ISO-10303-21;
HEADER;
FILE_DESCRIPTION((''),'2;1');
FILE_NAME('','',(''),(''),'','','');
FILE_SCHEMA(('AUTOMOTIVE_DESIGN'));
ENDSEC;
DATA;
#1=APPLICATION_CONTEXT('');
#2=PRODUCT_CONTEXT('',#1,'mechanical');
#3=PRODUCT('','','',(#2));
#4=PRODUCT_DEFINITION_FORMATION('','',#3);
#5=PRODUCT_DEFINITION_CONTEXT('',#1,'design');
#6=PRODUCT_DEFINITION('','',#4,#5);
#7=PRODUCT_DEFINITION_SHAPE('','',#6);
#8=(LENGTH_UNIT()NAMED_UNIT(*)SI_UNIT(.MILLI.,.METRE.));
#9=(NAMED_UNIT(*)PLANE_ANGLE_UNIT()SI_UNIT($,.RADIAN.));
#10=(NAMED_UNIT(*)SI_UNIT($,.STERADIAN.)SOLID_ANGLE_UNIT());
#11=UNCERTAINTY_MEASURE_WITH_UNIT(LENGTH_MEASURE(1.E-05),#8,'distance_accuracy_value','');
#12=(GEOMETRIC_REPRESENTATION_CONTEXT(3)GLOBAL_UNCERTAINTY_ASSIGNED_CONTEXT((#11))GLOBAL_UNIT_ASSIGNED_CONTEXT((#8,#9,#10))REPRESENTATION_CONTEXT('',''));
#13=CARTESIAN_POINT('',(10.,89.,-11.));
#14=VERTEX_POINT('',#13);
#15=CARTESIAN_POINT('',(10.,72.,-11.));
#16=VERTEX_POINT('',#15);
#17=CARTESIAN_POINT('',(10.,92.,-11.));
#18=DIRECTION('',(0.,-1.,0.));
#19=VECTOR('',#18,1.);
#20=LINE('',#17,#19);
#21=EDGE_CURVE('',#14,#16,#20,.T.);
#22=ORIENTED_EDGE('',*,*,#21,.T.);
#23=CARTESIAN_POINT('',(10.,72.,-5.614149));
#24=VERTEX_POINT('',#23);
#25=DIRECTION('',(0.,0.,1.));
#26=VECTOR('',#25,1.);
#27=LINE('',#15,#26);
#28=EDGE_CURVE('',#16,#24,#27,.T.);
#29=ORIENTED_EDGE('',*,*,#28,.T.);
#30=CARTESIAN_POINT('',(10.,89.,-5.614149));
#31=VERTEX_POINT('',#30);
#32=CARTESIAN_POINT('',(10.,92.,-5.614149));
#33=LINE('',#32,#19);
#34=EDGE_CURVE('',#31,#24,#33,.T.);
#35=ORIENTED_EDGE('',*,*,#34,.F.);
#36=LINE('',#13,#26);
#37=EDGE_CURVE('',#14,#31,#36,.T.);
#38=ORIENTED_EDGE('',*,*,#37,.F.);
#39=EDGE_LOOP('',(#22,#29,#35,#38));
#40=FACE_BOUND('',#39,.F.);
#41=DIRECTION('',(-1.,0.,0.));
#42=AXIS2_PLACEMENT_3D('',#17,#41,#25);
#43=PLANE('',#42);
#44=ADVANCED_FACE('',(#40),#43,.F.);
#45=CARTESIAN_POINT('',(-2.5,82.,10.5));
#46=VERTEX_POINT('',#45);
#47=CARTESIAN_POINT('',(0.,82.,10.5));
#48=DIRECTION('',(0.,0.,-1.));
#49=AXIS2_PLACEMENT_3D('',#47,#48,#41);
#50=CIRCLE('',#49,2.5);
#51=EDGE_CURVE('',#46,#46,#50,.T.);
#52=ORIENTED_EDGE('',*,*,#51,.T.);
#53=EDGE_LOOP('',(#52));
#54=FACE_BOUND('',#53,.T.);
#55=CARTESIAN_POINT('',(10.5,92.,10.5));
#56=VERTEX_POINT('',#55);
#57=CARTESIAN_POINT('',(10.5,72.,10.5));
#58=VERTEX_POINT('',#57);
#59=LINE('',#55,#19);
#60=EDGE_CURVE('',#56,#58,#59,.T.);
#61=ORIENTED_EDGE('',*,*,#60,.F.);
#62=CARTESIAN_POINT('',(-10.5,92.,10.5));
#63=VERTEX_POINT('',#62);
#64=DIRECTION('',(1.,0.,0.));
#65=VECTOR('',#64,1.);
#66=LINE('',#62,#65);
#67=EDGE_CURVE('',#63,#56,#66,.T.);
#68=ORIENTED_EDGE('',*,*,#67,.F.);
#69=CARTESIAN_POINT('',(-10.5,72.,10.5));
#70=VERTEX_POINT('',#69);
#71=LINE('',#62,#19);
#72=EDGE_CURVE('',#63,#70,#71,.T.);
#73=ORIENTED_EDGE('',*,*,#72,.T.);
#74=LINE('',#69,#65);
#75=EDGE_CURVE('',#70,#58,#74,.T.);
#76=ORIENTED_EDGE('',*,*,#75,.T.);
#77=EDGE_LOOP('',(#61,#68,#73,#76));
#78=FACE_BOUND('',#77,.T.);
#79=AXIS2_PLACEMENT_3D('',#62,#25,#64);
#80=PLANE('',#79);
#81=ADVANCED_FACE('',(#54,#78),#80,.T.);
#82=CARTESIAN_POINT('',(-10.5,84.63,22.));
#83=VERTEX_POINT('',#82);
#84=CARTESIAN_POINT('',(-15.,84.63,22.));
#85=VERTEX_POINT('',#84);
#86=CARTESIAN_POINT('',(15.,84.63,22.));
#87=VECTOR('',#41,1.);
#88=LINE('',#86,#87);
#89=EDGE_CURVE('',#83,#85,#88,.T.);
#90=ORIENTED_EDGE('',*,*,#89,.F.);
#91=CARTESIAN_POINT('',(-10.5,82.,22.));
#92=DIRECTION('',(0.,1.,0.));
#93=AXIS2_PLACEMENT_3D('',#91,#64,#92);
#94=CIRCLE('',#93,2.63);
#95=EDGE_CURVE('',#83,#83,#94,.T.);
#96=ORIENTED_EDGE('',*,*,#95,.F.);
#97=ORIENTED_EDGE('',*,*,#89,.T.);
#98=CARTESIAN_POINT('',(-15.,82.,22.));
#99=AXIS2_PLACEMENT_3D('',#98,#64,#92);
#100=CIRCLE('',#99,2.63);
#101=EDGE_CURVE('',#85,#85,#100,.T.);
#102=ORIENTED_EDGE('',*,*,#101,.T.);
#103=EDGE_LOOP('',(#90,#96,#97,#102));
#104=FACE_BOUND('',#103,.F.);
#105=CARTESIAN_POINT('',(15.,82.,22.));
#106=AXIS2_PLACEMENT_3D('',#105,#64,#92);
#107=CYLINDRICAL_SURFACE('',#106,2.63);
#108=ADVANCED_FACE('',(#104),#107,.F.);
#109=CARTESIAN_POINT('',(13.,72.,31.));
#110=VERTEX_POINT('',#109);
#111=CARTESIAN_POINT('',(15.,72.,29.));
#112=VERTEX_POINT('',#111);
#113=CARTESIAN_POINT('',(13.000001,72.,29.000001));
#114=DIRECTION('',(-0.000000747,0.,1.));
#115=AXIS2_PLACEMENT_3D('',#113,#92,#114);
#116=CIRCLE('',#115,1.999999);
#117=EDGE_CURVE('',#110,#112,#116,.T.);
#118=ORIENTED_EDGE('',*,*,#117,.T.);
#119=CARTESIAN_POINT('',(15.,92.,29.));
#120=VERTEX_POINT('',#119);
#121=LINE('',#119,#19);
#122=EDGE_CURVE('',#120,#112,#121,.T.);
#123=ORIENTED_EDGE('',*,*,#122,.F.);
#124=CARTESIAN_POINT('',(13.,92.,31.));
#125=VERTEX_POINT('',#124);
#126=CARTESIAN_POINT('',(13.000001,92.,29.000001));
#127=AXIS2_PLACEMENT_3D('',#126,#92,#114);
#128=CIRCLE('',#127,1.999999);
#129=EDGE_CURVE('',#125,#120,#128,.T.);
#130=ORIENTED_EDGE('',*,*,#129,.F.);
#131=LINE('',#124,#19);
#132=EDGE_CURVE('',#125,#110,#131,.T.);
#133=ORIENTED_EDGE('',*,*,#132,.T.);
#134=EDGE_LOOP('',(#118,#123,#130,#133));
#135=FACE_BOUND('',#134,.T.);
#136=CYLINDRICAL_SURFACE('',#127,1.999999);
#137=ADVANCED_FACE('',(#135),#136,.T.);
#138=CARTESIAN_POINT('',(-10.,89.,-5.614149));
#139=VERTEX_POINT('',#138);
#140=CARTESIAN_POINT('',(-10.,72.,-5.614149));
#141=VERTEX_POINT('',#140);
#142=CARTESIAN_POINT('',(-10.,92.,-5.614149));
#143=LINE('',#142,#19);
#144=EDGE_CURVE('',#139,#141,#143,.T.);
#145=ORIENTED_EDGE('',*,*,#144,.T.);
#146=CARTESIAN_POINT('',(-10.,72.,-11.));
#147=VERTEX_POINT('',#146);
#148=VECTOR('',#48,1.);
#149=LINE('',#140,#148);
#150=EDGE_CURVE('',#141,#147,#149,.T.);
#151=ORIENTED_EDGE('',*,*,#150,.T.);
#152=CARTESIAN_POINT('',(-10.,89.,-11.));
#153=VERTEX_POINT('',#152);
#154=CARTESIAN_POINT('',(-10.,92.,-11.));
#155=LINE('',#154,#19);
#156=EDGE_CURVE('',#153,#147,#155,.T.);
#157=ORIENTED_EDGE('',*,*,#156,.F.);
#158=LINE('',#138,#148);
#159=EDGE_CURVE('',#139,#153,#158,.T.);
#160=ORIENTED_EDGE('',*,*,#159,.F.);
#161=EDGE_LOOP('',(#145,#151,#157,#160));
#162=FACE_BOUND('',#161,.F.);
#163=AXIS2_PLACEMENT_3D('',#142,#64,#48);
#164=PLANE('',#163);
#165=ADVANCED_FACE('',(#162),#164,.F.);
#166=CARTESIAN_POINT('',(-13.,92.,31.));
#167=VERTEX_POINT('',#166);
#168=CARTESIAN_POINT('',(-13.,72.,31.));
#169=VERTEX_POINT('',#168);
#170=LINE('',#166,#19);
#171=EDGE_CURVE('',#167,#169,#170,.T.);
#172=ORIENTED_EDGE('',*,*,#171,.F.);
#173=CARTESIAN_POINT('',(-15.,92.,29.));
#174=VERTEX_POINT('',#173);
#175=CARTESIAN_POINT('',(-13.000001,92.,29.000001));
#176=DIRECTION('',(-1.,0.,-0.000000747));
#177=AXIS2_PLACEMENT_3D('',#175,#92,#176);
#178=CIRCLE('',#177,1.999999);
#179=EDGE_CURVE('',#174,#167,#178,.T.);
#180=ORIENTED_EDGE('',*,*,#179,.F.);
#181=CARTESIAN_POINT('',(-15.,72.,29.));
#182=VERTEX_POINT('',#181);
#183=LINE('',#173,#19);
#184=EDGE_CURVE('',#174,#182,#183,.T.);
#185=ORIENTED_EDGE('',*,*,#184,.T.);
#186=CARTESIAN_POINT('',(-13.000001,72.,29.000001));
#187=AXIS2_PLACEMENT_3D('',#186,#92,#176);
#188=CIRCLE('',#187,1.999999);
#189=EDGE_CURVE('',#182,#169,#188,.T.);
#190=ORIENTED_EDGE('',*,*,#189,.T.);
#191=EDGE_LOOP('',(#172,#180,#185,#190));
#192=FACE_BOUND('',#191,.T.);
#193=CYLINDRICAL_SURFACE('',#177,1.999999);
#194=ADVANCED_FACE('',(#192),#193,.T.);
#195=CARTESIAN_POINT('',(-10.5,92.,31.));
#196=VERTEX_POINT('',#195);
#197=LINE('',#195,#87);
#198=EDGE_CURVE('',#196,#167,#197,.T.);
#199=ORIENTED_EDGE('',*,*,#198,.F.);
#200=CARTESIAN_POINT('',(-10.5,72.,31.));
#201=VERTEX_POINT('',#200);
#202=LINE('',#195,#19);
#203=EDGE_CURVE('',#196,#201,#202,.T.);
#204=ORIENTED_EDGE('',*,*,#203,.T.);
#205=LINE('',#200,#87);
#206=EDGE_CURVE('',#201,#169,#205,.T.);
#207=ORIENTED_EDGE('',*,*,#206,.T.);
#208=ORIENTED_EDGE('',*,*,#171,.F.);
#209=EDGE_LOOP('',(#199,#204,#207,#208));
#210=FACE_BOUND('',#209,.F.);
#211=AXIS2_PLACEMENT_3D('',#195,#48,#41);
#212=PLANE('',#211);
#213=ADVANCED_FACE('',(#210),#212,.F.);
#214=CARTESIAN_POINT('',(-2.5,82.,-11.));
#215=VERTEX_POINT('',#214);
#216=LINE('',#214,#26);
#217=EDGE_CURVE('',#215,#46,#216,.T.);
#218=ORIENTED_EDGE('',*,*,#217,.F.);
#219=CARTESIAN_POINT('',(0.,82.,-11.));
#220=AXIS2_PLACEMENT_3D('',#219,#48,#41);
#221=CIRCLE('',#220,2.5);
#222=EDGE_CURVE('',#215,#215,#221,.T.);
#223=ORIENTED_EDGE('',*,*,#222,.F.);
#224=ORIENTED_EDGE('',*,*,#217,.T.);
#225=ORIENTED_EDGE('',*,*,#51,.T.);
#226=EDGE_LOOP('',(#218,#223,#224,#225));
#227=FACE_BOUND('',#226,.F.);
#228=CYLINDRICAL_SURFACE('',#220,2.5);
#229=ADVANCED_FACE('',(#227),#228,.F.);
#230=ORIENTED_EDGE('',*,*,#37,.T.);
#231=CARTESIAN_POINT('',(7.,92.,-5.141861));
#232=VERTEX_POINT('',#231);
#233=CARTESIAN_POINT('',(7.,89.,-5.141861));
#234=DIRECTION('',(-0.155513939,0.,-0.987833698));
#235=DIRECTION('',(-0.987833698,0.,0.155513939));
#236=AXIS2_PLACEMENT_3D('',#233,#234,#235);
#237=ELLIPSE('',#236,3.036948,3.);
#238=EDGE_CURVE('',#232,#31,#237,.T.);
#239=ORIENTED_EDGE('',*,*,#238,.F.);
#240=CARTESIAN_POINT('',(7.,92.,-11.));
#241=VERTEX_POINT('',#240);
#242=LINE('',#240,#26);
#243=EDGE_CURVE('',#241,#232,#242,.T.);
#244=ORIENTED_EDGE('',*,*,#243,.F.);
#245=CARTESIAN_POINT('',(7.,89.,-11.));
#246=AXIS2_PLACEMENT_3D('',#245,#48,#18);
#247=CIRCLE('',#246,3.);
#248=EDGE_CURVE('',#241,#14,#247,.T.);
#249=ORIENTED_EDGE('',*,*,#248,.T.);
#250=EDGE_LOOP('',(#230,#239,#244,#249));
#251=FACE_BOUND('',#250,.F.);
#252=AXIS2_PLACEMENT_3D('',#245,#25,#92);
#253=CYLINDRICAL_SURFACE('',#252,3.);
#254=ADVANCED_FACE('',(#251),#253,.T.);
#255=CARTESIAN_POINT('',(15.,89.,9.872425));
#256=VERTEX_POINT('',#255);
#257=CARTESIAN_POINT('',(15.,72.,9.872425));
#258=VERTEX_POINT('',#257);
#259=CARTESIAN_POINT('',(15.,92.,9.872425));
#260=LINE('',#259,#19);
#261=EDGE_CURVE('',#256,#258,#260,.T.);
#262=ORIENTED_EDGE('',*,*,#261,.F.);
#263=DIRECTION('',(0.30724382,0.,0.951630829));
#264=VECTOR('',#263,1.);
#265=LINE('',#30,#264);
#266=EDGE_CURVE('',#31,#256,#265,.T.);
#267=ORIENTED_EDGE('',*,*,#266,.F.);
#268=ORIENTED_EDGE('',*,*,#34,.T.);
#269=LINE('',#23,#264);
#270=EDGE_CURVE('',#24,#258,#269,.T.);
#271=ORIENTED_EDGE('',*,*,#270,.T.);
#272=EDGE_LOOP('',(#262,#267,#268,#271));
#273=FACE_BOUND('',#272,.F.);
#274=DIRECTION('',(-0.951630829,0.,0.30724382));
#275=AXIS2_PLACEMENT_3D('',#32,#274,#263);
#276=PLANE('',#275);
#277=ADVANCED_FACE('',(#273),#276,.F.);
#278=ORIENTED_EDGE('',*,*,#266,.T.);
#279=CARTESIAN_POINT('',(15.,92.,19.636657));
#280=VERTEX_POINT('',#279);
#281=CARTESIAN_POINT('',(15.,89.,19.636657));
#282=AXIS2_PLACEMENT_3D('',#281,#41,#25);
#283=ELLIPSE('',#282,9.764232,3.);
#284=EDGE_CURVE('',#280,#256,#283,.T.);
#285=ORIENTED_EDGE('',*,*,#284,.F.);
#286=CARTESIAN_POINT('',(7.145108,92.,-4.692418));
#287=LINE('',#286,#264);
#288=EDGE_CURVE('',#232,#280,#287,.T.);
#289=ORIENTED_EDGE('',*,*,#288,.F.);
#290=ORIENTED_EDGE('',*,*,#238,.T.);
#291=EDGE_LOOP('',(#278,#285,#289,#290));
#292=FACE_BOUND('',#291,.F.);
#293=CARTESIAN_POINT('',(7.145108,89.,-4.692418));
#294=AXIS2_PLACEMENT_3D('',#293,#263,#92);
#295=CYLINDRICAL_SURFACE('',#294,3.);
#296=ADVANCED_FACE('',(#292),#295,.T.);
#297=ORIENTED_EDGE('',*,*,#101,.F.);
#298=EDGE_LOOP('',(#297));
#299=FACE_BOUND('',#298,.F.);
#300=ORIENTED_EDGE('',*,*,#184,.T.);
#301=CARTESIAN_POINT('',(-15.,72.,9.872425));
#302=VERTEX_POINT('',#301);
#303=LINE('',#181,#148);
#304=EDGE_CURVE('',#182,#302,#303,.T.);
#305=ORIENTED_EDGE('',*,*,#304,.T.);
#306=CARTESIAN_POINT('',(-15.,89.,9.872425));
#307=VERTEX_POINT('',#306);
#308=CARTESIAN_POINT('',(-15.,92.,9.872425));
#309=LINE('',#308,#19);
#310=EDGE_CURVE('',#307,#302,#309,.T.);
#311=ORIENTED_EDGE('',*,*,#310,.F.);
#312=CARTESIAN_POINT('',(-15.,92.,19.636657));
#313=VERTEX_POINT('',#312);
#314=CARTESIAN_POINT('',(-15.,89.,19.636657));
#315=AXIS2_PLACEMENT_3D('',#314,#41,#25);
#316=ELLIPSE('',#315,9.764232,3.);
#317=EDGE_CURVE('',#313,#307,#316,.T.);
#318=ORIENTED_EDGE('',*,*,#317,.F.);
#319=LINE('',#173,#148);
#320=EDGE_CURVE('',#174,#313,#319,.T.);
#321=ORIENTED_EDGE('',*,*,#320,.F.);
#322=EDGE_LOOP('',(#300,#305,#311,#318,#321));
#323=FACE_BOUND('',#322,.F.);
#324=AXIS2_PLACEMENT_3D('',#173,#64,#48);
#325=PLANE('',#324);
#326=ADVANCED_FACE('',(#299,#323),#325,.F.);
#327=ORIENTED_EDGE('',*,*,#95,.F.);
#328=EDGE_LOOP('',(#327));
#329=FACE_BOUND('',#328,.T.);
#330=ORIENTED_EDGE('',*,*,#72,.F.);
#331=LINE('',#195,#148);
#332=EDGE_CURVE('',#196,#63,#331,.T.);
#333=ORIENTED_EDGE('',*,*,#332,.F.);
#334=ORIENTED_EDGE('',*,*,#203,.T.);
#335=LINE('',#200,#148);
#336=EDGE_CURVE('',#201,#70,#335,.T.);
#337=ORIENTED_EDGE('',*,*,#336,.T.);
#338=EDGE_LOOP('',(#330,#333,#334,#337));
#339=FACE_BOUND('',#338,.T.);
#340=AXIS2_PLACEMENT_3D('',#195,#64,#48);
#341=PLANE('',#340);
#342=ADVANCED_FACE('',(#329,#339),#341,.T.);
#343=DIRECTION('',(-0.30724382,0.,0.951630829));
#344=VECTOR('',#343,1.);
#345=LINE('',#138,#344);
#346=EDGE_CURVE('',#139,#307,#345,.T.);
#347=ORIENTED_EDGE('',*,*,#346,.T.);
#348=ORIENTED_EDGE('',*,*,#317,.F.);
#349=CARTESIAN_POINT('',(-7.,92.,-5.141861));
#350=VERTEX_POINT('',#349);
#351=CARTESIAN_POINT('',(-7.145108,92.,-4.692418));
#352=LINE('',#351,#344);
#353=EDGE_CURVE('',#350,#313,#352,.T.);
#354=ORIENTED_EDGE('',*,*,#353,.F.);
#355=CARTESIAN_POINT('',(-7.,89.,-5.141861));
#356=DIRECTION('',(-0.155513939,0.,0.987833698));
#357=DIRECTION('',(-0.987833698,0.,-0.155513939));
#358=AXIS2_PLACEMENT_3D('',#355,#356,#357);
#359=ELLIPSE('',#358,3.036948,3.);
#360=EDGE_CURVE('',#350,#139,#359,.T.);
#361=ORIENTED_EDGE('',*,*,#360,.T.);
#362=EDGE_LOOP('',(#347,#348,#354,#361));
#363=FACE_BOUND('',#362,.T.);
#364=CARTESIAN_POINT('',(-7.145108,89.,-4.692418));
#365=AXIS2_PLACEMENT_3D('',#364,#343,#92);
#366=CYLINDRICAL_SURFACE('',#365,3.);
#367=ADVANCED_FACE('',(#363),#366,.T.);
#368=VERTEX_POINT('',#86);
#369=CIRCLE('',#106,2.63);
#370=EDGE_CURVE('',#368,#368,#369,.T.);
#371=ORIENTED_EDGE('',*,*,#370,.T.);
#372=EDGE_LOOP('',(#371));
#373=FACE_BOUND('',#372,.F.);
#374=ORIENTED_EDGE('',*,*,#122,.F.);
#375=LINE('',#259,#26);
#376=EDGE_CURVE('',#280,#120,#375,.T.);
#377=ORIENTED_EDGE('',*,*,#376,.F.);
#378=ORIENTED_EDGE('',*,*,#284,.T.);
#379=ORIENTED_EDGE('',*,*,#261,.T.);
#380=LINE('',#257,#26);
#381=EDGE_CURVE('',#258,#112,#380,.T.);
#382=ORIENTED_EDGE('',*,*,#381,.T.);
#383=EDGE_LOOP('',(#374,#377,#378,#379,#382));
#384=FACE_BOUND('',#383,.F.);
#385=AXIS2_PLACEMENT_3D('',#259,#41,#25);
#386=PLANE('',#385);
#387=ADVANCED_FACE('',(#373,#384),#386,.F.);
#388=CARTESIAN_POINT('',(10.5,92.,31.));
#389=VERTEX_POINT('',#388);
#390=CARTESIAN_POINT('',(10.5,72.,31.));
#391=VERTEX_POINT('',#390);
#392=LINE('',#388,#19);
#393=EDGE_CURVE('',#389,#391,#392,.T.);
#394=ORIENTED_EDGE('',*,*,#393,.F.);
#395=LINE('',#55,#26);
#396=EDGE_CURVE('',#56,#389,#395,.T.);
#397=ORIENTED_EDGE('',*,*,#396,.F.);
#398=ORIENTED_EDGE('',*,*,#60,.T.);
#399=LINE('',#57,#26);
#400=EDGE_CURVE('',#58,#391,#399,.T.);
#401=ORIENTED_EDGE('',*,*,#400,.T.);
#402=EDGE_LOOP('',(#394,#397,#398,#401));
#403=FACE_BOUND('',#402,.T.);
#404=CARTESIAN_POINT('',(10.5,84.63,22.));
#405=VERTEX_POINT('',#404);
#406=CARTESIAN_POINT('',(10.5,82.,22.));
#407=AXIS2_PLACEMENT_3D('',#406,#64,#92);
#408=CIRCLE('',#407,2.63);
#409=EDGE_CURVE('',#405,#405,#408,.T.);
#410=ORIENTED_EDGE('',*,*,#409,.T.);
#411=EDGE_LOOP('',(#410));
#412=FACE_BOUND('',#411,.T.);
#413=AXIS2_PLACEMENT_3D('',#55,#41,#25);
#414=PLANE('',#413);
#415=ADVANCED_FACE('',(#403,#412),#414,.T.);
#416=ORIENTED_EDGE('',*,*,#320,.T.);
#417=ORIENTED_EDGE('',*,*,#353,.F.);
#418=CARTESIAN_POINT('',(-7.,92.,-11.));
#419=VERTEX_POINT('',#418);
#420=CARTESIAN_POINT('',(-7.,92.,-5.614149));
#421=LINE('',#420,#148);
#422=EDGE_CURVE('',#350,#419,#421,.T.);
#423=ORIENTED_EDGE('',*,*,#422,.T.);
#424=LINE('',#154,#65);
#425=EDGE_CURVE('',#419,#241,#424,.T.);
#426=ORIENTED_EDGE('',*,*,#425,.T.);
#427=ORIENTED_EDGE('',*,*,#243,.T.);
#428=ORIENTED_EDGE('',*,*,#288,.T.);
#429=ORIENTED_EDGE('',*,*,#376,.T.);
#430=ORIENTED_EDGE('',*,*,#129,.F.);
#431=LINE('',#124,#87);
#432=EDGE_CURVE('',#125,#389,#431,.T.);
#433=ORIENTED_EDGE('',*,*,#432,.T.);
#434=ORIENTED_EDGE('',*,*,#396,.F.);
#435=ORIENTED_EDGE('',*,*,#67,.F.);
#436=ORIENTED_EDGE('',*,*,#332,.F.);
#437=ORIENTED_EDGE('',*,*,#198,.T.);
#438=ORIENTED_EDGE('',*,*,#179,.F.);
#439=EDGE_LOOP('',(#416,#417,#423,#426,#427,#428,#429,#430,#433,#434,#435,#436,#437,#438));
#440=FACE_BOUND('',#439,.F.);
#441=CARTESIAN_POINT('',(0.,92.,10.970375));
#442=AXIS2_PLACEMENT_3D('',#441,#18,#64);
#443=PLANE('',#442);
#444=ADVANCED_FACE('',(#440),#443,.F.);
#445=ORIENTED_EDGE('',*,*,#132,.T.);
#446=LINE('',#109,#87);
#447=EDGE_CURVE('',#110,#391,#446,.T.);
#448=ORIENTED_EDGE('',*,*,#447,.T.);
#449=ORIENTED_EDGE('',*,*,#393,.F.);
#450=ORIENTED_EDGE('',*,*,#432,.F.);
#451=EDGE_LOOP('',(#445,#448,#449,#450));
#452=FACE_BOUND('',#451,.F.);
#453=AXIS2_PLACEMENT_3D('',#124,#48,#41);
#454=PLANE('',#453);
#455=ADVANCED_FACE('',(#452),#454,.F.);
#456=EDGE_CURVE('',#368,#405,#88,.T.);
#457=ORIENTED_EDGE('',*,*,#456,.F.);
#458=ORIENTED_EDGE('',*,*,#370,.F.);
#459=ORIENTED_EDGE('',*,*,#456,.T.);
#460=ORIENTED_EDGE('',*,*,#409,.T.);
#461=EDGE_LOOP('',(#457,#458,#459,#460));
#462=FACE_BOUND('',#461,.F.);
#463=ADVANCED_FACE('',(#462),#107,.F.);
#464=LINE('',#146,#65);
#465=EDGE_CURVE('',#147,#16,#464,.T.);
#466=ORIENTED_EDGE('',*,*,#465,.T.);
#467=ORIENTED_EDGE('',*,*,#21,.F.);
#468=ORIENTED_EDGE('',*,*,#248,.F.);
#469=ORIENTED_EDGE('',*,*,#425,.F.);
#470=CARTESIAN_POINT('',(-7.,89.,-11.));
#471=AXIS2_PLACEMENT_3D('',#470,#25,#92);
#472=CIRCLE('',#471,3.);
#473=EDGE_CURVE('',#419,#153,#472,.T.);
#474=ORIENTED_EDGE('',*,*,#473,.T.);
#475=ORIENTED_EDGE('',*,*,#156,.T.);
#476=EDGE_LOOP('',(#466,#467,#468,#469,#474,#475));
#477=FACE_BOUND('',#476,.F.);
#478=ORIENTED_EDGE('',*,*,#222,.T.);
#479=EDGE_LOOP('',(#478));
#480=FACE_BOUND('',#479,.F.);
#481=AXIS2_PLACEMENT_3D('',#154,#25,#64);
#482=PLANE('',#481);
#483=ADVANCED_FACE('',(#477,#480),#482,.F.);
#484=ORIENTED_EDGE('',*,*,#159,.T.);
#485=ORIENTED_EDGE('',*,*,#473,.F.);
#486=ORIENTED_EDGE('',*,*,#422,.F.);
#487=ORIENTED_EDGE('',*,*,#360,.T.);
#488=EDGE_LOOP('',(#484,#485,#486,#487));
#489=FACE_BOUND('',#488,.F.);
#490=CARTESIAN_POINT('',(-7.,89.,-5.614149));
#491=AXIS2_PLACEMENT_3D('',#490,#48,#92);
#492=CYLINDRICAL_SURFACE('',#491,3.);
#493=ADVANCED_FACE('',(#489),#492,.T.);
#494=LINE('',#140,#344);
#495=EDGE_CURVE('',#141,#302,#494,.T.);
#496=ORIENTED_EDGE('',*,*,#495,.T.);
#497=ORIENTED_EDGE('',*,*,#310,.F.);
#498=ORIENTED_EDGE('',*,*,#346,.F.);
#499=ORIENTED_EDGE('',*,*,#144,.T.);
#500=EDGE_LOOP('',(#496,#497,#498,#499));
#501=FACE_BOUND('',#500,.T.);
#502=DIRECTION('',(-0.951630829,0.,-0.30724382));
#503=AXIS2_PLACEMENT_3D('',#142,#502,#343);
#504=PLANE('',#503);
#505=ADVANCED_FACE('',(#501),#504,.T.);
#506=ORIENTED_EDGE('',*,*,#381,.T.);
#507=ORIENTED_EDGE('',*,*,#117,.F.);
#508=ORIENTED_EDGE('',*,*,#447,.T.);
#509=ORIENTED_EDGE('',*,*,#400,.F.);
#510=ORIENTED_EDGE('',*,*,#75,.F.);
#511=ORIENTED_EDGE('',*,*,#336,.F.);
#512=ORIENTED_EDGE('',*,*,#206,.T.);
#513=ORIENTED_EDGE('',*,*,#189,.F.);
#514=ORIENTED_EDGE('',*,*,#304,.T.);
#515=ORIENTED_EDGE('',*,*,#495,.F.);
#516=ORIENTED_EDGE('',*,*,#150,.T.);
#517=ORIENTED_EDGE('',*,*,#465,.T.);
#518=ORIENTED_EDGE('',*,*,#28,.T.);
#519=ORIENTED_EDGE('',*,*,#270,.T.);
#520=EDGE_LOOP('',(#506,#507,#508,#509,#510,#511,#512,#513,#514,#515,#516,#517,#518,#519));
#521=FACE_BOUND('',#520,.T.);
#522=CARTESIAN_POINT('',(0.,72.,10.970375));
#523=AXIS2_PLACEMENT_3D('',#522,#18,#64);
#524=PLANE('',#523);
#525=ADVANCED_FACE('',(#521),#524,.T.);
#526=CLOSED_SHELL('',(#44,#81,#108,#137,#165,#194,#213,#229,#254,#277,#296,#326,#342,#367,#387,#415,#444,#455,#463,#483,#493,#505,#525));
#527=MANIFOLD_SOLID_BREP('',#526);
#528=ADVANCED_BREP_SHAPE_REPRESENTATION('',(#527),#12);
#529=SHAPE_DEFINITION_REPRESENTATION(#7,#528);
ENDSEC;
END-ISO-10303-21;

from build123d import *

# Parameters (mm, degrees)
PAD030_DEPTH         = 20
SKETCH094_R          = 2.5
POCKET048_DEPTH      = 42.001
POCKET048_DEPTH_BACK = 0.001
SKETCH095_R          = 2.63
POCKET049_DEPTH      = 30.001
POCKET049_DEPTH_BACK = 0.001
FILLET_R             = 3


with BuildPart() as part:
    # Sketch090 → Pad030 (new body)
    with BuildSketch(Plane(origin=(0, 92, 0), x_dir=(-1, 0, 0), z_dir=(0, 1, 0))):
        with BuildLine():
            Line((-13, 31), (-10.5, 31))
            Line((-10.5, 10.5), (-10.5, 31))
            Line((10.5, 10.5), (-10.5, 10.5))
            Line((10.5, 31), (10.5, 10.5))
            Line((10.5, 31), (13, 31))
            ThreePointArc((15, 29), (14.414214, 30.414214), (13, 31))
            Line((15, 29), (15, 9.872425))
            Line((10, -5.614149), (15, 9.872425))
            Line((10, -5.614149), (10, -11))
            Line((10, -11), (-10, -11))
            Line((-10, -11), (-10, -5.614149))
            Line((-10, -5.614149), (-15, 9.872425))
            Line((-15, 9.872425), (-15, 29))
            ThreePointArc((-13, 31), (-14.414214, 30.414214), (-15, 29))
        make_face()
    extrude(amount=-PAD030_DEPTH)

    # Sketch094 → Pocket048 (cut, two sides)
    with BuildSketch(Plane(origin=(0, 0, -11), x_dir=(-1, 0, 0), z_dir=(0, 0, -1))) as pocket048_sk:
        with Locations((0, 82)):
            Circle(SKETCH094_R)
    extrude(amount=-POCKET048_DEPTH, mode=Mode.SUBTRACT)
    extrude(pocket048_sk.sketch, amount=POCKET048_DEPTH_BACK, mode=Mode.SUBTRACT)

    # Sketch095 → Pocket049 (cut, two sides)
    with BuildSketch(Plane(origin=(15, 82, 0), x_dir=(0, 1, 0), z_dir=(1, 0, 0))) as pocket049_sk:
        with Locations((0, 22)):
            Circle(SKETCH095_R)
    extrude(amount=-POCKET049_DEPTH, mode=Mode.SUBTRACT)
    extrude(pocket049_sk.sketch, amount=POCKET049_DEPTH_BACK, mode=Mode.SUBTRACT)

    # Fillet
    fillet_edges = [part.edges().sort_by_distance(p)[0] for p in [
        (-12.5, 92, 2.129138),
        (-10, 92, -8.307075),
        (10, 92, -8.307075),
        (12.5, 92, 2.129138),
    ]]
    fillet(fillet_edges, radius=FILLET_R)


solid = part.part
